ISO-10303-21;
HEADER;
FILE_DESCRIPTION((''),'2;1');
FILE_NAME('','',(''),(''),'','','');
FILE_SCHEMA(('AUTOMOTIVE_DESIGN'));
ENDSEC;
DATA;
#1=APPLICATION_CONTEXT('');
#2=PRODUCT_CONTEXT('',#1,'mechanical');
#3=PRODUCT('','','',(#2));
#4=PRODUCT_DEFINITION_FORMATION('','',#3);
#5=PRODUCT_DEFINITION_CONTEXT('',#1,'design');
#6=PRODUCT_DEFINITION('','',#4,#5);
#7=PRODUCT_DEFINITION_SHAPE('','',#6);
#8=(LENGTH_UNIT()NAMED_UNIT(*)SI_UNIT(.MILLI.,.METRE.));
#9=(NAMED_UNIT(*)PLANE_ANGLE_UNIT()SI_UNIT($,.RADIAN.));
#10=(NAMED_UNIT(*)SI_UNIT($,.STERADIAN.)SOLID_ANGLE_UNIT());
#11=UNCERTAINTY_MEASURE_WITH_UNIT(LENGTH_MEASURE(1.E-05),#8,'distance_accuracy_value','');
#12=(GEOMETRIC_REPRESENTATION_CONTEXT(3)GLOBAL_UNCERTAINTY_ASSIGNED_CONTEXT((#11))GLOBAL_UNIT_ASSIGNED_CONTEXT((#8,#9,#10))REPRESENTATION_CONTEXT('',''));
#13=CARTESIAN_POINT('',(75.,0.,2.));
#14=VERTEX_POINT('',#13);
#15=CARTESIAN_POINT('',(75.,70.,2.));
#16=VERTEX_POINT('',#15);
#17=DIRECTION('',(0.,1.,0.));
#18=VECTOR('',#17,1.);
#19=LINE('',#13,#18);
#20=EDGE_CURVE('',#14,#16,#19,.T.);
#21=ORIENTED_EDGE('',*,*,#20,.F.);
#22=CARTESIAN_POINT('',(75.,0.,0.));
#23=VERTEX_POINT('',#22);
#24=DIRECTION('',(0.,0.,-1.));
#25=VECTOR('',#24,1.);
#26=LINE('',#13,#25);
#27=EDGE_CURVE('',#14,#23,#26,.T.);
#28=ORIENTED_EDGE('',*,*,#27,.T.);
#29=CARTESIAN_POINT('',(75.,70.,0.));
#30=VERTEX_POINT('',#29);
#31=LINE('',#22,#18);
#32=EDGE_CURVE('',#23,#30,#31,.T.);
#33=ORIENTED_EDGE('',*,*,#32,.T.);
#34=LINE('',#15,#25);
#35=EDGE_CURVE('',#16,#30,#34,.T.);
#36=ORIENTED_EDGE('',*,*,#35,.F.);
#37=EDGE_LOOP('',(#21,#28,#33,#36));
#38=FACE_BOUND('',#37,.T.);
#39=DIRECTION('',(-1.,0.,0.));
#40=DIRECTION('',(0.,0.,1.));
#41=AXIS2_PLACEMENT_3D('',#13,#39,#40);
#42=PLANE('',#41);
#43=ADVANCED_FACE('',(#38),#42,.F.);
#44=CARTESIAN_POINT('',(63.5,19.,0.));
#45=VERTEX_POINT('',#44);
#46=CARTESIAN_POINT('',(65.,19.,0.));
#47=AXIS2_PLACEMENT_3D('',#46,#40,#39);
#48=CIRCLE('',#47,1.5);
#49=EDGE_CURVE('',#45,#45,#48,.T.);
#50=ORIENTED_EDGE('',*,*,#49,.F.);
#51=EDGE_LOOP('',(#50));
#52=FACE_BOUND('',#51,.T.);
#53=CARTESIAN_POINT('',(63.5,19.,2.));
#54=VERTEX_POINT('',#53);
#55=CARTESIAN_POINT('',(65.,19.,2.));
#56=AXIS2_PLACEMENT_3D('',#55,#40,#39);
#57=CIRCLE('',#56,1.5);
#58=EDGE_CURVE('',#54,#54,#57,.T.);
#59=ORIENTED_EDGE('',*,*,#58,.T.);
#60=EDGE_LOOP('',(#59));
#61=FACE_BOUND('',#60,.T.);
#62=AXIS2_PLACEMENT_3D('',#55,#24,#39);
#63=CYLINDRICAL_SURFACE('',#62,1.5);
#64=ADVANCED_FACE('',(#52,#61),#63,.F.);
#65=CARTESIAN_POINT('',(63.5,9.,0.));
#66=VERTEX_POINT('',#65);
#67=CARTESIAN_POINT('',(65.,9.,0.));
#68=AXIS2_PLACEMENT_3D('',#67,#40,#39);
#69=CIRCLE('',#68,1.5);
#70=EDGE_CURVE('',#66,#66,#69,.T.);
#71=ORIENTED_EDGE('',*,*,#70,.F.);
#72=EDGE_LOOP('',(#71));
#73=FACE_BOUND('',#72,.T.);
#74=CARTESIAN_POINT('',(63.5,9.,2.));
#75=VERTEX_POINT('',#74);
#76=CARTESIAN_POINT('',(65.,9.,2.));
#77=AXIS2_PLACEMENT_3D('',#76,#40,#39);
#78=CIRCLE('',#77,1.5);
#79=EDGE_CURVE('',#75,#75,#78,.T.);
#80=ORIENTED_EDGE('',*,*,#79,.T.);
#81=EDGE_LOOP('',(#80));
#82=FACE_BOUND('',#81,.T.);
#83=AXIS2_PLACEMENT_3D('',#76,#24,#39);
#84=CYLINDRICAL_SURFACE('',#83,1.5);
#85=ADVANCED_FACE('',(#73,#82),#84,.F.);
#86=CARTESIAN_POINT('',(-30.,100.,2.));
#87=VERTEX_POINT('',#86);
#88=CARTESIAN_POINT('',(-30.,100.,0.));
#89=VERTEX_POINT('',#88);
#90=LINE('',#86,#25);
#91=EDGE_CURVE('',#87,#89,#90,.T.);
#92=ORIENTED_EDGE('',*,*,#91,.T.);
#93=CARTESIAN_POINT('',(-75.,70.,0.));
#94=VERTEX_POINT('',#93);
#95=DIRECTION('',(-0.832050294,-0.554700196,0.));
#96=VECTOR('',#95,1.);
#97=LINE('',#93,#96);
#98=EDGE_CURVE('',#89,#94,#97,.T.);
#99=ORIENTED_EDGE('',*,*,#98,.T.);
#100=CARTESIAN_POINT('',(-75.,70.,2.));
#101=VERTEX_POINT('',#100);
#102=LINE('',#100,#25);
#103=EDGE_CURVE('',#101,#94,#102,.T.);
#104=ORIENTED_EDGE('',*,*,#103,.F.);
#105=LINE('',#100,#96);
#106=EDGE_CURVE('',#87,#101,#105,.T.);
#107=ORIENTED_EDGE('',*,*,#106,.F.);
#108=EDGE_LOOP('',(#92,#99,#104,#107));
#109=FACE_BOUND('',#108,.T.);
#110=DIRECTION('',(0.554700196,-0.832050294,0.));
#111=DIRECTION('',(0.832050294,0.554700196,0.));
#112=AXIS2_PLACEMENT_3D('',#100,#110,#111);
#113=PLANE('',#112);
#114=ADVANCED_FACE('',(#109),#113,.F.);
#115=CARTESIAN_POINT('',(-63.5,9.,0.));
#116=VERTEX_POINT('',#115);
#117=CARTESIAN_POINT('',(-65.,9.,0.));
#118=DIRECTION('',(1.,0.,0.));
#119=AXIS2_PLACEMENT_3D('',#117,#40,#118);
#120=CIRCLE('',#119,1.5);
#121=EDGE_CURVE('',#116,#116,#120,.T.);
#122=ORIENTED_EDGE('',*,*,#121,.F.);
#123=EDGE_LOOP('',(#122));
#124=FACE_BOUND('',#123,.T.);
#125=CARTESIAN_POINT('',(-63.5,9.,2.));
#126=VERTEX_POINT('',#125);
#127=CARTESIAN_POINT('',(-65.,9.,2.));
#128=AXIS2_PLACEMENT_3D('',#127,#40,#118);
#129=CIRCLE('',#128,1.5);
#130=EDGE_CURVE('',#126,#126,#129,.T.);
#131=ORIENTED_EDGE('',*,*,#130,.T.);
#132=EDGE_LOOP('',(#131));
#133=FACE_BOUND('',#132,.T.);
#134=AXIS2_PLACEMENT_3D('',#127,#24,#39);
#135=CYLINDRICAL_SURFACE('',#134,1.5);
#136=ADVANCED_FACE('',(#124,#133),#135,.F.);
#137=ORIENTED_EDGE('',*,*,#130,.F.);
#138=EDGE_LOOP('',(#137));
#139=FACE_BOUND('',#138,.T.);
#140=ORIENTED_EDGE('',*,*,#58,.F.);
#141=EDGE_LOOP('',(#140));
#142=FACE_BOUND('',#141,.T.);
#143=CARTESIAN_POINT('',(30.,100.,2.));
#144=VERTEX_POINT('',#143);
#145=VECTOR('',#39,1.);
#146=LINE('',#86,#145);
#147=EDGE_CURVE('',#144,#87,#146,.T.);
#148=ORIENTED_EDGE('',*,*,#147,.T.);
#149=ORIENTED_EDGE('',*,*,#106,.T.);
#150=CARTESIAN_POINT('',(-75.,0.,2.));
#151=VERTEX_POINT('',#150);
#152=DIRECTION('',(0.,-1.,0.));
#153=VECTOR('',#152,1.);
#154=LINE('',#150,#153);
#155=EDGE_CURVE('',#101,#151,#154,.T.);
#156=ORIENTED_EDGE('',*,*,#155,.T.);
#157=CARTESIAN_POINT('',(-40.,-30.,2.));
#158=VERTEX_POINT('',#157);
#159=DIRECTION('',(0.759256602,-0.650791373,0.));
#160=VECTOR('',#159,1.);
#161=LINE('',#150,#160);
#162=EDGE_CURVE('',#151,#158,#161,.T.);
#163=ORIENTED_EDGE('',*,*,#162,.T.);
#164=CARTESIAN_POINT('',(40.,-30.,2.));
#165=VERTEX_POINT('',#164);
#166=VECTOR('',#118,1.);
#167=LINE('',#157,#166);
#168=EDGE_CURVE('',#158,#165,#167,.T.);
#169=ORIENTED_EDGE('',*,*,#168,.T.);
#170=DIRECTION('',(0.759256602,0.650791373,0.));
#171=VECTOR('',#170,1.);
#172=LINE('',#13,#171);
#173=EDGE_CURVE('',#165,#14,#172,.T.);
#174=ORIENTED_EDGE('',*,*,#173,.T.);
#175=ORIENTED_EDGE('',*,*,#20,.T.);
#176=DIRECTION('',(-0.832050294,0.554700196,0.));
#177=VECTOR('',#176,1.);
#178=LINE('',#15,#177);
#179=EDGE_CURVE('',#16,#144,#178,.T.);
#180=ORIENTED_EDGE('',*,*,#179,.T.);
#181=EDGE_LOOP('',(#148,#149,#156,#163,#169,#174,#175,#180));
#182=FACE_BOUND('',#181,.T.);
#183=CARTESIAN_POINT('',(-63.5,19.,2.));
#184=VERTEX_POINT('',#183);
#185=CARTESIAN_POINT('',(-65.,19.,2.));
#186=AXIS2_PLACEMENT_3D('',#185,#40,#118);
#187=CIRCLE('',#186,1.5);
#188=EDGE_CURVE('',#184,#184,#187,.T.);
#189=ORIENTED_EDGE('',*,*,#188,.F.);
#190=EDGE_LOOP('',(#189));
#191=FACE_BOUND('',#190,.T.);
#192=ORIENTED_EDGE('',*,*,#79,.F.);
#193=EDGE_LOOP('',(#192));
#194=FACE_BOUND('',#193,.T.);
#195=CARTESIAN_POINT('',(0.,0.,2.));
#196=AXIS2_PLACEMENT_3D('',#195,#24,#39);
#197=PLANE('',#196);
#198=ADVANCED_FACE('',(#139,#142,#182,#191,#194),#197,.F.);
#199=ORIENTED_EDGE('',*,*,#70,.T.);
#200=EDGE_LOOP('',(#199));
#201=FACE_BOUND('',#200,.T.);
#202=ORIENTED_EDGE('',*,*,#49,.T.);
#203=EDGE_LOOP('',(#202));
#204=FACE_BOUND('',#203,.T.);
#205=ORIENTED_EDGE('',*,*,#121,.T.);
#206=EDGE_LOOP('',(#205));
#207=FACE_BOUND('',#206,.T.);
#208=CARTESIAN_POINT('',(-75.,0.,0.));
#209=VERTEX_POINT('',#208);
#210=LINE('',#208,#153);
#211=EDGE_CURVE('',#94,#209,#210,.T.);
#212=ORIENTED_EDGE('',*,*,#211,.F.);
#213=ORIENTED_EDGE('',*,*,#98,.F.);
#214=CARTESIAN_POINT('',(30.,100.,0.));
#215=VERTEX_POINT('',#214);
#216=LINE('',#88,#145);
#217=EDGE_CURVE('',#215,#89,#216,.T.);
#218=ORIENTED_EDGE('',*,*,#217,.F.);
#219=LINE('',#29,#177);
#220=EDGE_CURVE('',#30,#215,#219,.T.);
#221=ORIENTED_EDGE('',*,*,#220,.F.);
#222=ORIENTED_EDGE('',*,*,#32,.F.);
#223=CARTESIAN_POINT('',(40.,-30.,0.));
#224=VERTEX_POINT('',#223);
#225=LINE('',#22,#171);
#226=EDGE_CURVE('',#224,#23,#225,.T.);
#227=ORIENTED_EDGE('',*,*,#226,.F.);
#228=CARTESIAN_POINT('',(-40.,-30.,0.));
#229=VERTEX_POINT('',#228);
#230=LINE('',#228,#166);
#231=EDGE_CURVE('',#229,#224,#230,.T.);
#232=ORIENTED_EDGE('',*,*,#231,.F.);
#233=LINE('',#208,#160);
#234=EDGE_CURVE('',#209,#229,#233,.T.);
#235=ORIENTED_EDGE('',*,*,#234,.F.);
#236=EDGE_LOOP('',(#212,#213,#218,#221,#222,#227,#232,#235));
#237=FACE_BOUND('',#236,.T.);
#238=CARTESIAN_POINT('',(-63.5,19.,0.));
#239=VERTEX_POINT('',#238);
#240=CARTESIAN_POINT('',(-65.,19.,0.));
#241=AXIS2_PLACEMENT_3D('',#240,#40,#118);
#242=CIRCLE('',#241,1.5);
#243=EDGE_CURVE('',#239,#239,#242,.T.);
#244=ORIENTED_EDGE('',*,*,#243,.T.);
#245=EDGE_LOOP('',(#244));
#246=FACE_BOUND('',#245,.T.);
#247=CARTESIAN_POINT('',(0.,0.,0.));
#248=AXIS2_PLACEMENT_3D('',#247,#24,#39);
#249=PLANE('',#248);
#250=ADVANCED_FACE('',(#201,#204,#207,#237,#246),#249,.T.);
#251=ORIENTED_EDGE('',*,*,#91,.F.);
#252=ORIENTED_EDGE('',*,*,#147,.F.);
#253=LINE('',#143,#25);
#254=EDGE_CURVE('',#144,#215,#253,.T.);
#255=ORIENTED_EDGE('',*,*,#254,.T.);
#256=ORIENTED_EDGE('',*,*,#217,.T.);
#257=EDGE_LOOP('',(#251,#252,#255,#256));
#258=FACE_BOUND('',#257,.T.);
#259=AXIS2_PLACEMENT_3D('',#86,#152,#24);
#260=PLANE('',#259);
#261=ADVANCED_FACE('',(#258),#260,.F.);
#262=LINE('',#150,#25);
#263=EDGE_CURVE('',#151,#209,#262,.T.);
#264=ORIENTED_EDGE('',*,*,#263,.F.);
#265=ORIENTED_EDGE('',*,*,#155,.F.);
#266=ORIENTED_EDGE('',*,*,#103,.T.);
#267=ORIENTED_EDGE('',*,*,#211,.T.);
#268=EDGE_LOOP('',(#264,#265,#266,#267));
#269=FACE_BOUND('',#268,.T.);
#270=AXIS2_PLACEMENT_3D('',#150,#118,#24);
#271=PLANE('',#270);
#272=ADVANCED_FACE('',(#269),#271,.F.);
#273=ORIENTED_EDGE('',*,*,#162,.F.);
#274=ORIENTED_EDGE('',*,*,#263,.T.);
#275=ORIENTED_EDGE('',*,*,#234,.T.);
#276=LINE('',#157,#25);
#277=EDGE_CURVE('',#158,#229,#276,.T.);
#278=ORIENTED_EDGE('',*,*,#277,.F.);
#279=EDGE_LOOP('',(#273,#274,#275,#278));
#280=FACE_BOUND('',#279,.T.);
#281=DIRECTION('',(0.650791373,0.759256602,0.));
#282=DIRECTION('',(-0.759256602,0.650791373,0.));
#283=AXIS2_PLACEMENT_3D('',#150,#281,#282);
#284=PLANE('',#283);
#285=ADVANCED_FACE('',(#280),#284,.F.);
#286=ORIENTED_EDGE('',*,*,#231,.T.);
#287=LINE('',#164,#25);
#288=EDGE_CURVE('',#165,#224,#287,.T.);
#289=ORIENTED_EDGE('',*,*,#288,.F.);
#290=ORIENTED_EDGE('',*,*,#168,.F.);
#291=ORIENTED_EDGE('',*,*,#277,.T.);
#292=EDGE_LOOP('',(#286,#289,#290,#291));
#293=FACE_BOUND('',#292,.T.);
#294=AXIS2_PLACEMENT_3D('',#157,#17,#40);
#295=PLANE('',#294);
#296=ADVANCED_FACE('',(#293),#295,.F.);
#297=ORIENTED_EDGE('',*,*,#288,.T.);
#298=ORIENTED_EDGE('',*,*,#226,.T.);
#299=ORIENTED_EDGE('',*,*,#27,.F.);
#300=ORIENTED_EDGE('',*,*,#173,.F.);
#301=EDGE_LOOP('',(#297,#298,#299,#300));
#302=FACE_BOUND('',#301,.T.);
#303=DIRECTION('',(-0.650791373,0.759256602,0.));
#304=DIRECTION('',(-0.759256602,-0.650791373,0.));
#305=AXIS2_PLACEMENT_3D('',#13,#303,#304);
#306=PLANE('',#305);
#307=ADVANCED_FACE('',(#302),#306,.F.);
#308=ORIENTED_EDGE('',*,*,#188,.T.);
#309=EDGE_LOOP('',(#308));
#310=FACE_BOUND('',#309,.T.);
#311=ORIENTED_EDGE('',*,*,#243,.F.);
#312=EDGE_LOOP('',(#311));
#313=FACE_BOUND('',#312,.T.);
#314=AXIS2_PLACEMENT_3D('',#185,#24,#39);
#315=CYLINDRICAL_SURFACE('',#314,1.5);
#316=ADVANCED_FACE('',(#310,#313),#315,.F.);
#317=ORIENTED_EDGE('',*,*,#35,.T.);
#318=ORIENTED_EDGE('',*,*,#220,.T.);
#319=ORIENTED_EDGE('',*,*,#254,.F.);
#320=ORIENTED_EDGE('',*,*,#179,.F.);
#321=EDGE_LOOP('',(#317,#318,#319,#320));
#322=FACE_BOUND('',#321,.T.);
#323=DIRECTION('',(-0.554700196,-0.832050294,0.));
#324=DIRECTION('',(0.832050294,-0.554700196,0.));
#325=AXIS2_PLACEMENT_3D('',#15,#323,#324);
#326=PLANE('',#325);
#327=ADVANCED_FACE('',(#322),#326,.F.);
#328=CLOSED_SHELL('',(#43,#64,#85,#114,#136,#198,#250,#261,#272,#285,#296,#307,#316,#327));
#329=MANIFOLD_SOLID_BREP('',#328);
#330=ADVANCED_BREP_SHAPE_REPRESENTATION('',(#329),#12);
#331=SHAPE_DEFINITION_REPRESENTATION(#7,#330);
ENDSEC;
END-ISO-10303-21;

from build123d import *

# Parameters (mm, degrees)
SKETCH_1_R      = 1.5
EXTRUDE_1_DEPTH = 2


with BuildPart() as part:
    # 草图1 → 凸台-拉伸1 (new body)
    with BuildSketch(Plane.XY):
        Polygon((-75, 0), (-75, 70), (-30, 100), (30, 100), (75, 70), (75, 0), (40, -30), (-40, -30), align=None)
        with Locations((-65, 9)):
            Circle(SKETCH_1_R, mode=Mode.SUBTRACT)
        with Locations(Location((65, 9, 0), (0, 0, 180))):
            Circle(SKETCH_1_R, mode=Mode.SUBTRACT)
        with Locations((-65, 19)):
            Circle(SKETCH_1_R, mode=Mode.SUBTRACT)
        with Locations(Location((65, 19, 0), (0, 0, 180))):
            Circle(SKETCH_1_R, mode=Mode.SUBTRACT)
    extrude(amount=EXTRUDE_1_DEPTH)


solid = part.part
